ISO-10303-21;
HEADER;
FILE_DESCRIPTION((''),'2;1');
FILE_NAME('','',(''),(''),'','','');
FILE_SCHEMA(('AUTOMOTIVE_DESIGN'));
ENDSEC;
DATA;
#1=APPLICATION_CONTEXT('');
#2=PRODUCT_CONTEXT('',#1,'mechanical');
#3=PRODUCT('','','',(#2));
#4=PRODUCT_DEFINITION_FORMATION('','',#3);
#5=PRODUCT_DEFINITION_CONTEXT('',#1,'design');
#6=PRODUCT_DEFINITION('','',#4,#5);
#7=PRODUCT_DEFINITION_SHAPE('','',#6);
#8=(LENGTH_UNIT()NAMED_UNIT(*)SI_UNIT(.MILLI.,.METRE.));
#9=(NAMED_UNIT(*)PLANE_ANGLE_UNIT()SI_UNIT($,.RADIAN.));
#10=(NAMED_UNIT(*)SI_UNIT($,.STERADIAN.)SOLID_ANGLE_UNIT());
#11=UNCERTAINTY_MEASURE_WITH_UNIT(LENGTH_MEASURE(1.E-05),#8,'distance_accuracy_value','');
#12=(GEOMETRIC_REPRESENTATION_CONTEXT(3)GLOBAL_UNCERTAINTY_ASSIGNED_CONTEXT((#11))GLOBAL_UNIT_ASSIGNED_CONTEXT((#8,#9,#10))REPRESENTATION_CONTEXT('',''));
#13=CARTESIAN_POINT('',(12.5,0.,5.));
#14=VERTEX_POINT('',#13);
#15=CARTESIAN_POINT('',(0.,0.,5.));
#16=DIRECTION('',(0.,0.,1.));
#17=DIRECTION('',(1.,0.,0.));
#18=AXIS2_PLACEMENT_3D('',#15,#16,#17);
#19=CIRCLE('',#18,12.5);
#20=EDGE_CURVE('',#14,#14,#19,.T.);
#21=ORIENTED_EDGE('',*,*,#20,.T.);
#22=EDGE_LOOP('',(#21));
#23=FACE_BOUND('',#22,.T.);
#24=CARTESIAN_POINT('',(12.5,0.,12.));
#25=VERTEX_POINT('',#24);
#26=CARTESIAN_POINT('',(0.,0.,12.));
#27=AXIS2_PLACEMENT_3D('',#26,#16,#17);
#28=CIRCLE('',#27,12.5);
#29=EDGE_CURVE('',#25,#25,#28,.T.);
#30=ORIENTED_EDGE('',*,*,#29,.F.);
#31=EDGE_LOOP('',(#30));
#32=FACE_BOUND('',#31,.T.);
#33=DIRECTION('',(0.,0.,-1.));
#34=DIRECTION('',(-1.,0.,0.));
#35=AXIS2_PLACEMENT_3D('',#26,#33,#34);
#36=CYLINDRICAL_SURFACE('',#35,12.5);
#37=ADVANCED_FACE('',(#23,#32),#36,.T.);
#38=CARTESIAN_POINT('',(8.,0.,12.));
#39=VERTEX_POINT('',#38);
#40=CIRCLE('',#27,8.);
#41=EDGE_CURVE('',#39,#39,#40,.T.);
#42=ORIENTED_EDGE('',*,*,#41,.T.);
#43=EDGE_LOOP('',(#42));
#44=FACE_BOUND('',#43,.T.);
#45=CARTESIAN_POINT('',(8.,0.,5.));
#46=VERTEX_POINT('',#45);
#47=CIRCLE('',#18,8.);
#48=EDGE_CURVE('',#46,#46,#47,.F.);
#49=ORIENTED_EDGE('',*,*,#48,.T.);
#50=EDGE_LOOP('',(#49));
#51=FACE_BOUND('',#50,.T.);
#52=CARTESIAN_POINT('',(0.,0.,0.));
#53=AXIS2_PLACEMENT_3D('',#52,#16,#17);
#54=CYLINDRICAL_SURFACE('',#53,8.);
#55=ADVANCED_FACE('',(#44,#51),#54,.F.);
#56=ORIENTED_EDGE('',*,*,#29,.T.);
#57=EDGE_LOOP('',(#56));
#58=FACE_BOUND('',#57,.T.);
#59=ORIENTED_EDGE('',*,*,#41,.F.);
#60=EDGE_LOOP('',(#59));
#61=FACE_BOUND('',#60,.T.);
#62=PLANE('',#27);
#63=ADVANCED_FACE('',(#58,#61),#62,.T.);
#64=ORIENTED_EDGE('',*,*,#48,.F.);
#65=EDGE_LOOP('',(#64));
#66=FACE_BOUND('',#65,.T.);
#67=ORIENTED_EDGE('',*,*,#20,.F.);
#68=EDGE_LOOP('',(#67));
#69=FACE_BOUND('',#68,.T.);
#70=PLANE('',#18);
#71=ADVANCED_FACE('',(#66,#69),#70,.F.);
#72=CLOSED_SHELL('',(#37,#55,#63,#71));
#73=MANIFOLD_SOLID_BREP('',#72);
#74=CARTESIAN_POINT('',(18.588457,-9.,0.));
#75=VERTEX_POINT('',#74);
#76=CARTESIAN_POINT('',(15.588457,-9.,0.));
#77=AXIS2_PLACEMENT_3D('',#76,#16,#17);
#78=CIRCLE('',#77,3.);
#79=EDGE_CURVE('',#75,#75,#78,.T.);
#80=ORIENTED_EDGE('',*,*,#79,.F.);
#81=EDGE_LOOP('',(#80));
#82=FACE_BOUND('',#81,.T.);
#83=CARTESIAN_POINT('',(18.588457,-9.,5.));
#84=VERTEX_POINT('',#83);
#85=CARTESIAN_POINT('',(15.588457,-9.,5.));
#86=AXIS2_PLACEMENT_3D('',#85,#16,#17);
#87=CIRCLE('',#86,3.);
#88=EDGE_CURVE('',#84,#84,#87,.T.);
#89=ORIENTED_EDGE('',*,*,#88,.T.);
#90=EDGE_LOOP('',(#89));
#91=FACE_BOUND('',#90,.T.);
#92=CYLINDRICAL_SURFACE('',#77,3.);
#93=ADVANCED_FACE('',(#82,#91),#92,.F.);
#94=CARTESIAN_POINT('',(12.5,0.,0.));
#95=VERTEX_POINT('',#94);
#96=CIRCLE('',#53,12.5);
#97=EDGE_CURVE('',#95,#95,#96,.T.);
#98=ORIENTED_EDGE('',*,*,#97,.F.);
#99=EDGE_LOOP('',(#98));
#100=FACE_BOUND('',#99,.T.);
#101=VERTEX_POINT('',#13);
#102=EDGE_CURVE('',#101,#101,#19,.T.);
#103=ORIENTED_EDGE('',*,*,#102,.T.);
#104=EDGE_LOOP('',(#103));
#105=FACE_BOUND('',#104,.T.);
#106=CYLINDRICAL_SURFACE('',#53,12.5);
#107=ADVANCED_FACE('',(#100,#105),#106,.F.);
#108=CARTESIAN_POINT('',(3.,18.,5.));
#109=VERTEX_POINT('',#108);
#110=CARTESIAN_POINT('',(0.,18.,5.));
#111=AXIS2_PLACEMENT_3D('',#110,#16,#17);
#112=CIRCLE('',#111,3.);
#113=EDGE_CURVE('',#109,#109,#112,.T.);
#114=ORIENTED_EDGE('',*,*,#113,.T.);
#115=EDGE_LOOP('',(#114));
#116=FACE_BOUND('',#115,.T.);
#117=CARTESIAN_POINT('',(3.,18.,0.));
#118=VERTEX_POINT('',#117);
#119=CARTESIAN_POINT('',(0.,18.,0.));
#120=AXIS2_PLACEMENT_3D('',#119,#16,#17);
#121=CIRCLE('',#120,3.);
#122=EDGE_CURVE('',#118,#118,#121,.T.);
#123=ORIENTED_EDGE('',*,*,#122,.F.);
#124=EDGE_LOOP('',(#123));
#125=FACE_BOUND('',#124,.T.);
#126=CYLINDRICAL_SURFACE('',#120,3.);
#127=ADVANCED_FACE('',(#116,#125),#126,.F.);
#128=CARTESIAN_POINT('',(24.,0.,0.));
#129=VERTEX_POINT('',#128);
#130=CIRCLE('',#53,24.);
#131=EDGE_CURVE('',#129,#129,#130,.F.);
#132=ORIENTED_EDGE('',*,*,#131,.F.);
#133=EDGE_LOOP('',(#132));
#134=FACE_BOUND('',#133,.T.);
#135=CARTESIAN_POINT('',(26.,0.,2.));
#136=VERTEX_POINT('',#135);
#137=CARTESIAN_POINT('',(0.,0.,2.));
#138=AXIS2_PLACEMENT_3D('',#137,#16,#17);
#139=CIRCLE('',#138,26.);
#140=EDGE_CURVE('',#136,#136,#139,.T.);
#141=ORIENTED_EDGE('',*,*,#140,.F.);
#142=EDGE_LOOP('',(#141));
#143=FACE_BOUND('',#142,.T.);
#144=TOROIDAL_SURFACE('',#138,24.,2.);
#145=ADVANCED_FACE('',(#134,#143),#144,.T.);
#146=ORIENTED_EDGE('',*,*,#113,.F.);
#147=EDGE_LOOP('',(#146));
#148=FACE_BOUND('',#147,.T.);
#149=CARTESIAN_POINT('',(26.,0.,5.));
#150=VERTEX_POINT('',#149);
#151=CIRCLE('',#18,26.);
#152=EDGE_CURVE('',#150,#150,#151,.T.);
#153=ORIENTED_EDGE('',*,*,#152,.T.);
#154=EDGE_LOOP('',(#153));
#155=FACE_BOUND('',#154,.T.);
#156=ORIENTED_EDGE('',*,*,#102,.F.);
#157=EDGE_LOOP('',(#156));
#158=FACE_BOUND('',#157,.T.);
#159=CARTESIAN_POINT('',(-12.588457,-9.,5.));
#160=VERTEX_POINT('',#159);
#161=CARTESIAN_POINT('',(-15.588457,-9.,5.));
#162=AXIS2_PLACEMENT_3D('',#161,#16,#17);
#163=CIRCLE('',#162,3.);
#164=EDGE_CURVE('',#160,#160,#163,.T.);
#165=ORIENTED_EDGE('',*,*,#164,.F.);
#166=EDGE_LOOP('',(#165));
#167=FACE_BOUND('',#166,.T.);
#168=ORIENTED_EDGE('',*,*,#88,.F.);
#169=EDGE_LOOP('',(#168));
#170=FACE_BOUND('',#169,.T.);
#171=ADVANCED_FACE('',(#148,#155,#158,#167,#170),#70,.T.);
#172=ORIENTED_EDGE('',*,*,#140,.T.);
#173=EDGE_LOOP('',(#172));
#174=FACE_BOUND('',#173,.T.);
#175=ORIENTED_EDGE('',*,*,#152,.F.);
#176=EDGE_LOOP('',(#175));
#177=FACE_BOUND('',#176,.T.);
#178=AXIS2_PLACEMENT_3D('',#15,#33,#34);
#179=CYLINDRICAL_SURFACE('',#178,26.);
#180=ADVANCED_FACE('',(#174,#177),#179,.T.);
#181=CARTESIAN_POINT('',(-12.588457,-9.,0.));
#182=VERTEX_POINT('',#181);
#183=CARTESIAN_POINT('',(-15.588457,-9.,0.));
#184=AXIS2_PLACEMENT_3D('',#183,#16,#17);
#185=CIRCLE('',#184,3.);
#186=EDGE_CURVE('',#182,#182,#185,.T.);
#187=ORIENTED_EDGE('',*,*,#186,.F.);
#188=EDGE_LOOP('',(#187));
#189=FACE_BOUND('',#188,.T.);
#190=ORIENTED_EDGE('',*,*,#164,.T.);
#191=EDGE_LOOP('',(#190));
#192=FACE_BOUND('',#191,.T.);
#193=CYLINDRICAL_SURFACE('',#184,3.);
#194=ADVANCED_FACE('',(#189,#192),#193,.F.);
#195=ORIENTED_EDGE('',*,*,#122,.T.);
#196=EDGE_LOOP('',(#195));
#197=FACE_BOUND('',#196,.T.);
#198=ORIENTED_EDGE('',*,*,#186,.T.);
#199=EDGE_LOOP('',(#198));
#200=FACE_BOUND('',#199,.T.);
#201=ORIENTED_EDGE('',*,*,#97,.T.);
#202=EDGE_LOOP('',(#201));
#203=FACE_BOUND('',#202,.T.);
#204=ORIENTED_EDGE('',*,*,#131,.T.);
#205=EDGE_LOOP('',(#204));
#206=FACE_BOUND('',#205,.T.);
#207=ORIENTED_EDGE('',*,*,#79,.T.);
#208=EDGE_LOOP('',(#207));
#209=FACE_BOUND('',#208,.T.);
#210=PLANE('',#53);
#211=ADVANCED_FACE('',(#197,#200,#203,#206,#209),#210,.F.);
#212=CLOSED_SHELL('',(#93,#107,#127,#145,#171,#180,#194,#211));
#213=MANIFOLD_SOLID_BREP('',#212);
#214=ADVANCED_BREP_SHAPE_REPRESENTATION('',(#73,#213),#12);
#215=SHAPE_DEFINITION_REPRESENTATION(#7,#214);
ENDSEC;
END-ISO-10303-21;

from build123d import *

# Parameters (mm, degrees)
SKETCH1_R           = 26
BOSS_EXTRUDE1_DEPTH = 5
SKETCH2_R           = 12.5
BOSS_EXTRUDE2_DEPTH = 7
SKETCH3_R           = 8
CUT_EXTRUDE1_DEPTH  = 39.678159212
SKETCH4_R           = 3
SKETCH4_R_2         = 12.5
CUT_EXTRUDE2_DEPTH  = 38.429934544
FILLET3_R           = 2


with BuildPart() as part:
    # Sketch1 → Boss-Extrude1 (new body)
    with BuildSketch(Plane.XY):
        Circle(SKETCH1_R)
    extrude(amount=BOSS_EXTRUDE1_DEPTH)

    # Sketch2 → Boss-Extrude2 (add)
    with BuildSketch(Plane.XY.offset(5)):
        Circle(SKETCH2_R)
    extrude(amount=BOSS_EXTRUDE2_DEPTH)

    # Sketch3 → Cut-Extrude1 (cut, through all)
    with BuildSketch(Plane.XY.offset(12)):
        Circle(SKETCH3_R)
    extrude(amount=-CUT_EXTRUDE1_DEPTH, mode=Mode.SUBTRACT)

    # Sketch4 → Cut-Extrude2 (cut, through all)
    with BuildSketch(Plane.XY.offset(5)):
        with Locations((0, 18)):
            Circle(SKETCH4_R)
        with Locations((15.588457268, -9)):
            Circle(SKETCH4_R)
        with Locations((-15.588457268, -9)):
            Circle(SKETCH4_R)
        Circle(SKETCH4_R_2)
    extrude(amount=-CUT_EXTRUDE2_DEPTH, mode=Mode.SUBTRACT)


with BuildPart() as cut_extrude2_piece_1:
    # of the separate pieces the step leaves, piece 1, a body of its own (cut_extrude2_pieces)
    add(part.part.solids().sort_by_distance((26, 0, 0))[0])

    # Fillet3
    fillet3_edges = [cut_extrude2_piece_1.edges().sort_by_distance(p)[0] for p in [
        (-26, 0, 0),
    ]]
    fillet(fillet3_edges, radius=FILLET3_R)


with BuildPart() as cut_extrude2_piece_2:
    # of the separate pieces the step leaves, piece 2, a body of its own (cut_extrude2_pieces)
    add(part.part.solids().sort_by_distance((12.5, 0, 12))[0])


solid = Compound([cut_extrude2_piece_1.part, cut_extrude2_piece_2.part])
